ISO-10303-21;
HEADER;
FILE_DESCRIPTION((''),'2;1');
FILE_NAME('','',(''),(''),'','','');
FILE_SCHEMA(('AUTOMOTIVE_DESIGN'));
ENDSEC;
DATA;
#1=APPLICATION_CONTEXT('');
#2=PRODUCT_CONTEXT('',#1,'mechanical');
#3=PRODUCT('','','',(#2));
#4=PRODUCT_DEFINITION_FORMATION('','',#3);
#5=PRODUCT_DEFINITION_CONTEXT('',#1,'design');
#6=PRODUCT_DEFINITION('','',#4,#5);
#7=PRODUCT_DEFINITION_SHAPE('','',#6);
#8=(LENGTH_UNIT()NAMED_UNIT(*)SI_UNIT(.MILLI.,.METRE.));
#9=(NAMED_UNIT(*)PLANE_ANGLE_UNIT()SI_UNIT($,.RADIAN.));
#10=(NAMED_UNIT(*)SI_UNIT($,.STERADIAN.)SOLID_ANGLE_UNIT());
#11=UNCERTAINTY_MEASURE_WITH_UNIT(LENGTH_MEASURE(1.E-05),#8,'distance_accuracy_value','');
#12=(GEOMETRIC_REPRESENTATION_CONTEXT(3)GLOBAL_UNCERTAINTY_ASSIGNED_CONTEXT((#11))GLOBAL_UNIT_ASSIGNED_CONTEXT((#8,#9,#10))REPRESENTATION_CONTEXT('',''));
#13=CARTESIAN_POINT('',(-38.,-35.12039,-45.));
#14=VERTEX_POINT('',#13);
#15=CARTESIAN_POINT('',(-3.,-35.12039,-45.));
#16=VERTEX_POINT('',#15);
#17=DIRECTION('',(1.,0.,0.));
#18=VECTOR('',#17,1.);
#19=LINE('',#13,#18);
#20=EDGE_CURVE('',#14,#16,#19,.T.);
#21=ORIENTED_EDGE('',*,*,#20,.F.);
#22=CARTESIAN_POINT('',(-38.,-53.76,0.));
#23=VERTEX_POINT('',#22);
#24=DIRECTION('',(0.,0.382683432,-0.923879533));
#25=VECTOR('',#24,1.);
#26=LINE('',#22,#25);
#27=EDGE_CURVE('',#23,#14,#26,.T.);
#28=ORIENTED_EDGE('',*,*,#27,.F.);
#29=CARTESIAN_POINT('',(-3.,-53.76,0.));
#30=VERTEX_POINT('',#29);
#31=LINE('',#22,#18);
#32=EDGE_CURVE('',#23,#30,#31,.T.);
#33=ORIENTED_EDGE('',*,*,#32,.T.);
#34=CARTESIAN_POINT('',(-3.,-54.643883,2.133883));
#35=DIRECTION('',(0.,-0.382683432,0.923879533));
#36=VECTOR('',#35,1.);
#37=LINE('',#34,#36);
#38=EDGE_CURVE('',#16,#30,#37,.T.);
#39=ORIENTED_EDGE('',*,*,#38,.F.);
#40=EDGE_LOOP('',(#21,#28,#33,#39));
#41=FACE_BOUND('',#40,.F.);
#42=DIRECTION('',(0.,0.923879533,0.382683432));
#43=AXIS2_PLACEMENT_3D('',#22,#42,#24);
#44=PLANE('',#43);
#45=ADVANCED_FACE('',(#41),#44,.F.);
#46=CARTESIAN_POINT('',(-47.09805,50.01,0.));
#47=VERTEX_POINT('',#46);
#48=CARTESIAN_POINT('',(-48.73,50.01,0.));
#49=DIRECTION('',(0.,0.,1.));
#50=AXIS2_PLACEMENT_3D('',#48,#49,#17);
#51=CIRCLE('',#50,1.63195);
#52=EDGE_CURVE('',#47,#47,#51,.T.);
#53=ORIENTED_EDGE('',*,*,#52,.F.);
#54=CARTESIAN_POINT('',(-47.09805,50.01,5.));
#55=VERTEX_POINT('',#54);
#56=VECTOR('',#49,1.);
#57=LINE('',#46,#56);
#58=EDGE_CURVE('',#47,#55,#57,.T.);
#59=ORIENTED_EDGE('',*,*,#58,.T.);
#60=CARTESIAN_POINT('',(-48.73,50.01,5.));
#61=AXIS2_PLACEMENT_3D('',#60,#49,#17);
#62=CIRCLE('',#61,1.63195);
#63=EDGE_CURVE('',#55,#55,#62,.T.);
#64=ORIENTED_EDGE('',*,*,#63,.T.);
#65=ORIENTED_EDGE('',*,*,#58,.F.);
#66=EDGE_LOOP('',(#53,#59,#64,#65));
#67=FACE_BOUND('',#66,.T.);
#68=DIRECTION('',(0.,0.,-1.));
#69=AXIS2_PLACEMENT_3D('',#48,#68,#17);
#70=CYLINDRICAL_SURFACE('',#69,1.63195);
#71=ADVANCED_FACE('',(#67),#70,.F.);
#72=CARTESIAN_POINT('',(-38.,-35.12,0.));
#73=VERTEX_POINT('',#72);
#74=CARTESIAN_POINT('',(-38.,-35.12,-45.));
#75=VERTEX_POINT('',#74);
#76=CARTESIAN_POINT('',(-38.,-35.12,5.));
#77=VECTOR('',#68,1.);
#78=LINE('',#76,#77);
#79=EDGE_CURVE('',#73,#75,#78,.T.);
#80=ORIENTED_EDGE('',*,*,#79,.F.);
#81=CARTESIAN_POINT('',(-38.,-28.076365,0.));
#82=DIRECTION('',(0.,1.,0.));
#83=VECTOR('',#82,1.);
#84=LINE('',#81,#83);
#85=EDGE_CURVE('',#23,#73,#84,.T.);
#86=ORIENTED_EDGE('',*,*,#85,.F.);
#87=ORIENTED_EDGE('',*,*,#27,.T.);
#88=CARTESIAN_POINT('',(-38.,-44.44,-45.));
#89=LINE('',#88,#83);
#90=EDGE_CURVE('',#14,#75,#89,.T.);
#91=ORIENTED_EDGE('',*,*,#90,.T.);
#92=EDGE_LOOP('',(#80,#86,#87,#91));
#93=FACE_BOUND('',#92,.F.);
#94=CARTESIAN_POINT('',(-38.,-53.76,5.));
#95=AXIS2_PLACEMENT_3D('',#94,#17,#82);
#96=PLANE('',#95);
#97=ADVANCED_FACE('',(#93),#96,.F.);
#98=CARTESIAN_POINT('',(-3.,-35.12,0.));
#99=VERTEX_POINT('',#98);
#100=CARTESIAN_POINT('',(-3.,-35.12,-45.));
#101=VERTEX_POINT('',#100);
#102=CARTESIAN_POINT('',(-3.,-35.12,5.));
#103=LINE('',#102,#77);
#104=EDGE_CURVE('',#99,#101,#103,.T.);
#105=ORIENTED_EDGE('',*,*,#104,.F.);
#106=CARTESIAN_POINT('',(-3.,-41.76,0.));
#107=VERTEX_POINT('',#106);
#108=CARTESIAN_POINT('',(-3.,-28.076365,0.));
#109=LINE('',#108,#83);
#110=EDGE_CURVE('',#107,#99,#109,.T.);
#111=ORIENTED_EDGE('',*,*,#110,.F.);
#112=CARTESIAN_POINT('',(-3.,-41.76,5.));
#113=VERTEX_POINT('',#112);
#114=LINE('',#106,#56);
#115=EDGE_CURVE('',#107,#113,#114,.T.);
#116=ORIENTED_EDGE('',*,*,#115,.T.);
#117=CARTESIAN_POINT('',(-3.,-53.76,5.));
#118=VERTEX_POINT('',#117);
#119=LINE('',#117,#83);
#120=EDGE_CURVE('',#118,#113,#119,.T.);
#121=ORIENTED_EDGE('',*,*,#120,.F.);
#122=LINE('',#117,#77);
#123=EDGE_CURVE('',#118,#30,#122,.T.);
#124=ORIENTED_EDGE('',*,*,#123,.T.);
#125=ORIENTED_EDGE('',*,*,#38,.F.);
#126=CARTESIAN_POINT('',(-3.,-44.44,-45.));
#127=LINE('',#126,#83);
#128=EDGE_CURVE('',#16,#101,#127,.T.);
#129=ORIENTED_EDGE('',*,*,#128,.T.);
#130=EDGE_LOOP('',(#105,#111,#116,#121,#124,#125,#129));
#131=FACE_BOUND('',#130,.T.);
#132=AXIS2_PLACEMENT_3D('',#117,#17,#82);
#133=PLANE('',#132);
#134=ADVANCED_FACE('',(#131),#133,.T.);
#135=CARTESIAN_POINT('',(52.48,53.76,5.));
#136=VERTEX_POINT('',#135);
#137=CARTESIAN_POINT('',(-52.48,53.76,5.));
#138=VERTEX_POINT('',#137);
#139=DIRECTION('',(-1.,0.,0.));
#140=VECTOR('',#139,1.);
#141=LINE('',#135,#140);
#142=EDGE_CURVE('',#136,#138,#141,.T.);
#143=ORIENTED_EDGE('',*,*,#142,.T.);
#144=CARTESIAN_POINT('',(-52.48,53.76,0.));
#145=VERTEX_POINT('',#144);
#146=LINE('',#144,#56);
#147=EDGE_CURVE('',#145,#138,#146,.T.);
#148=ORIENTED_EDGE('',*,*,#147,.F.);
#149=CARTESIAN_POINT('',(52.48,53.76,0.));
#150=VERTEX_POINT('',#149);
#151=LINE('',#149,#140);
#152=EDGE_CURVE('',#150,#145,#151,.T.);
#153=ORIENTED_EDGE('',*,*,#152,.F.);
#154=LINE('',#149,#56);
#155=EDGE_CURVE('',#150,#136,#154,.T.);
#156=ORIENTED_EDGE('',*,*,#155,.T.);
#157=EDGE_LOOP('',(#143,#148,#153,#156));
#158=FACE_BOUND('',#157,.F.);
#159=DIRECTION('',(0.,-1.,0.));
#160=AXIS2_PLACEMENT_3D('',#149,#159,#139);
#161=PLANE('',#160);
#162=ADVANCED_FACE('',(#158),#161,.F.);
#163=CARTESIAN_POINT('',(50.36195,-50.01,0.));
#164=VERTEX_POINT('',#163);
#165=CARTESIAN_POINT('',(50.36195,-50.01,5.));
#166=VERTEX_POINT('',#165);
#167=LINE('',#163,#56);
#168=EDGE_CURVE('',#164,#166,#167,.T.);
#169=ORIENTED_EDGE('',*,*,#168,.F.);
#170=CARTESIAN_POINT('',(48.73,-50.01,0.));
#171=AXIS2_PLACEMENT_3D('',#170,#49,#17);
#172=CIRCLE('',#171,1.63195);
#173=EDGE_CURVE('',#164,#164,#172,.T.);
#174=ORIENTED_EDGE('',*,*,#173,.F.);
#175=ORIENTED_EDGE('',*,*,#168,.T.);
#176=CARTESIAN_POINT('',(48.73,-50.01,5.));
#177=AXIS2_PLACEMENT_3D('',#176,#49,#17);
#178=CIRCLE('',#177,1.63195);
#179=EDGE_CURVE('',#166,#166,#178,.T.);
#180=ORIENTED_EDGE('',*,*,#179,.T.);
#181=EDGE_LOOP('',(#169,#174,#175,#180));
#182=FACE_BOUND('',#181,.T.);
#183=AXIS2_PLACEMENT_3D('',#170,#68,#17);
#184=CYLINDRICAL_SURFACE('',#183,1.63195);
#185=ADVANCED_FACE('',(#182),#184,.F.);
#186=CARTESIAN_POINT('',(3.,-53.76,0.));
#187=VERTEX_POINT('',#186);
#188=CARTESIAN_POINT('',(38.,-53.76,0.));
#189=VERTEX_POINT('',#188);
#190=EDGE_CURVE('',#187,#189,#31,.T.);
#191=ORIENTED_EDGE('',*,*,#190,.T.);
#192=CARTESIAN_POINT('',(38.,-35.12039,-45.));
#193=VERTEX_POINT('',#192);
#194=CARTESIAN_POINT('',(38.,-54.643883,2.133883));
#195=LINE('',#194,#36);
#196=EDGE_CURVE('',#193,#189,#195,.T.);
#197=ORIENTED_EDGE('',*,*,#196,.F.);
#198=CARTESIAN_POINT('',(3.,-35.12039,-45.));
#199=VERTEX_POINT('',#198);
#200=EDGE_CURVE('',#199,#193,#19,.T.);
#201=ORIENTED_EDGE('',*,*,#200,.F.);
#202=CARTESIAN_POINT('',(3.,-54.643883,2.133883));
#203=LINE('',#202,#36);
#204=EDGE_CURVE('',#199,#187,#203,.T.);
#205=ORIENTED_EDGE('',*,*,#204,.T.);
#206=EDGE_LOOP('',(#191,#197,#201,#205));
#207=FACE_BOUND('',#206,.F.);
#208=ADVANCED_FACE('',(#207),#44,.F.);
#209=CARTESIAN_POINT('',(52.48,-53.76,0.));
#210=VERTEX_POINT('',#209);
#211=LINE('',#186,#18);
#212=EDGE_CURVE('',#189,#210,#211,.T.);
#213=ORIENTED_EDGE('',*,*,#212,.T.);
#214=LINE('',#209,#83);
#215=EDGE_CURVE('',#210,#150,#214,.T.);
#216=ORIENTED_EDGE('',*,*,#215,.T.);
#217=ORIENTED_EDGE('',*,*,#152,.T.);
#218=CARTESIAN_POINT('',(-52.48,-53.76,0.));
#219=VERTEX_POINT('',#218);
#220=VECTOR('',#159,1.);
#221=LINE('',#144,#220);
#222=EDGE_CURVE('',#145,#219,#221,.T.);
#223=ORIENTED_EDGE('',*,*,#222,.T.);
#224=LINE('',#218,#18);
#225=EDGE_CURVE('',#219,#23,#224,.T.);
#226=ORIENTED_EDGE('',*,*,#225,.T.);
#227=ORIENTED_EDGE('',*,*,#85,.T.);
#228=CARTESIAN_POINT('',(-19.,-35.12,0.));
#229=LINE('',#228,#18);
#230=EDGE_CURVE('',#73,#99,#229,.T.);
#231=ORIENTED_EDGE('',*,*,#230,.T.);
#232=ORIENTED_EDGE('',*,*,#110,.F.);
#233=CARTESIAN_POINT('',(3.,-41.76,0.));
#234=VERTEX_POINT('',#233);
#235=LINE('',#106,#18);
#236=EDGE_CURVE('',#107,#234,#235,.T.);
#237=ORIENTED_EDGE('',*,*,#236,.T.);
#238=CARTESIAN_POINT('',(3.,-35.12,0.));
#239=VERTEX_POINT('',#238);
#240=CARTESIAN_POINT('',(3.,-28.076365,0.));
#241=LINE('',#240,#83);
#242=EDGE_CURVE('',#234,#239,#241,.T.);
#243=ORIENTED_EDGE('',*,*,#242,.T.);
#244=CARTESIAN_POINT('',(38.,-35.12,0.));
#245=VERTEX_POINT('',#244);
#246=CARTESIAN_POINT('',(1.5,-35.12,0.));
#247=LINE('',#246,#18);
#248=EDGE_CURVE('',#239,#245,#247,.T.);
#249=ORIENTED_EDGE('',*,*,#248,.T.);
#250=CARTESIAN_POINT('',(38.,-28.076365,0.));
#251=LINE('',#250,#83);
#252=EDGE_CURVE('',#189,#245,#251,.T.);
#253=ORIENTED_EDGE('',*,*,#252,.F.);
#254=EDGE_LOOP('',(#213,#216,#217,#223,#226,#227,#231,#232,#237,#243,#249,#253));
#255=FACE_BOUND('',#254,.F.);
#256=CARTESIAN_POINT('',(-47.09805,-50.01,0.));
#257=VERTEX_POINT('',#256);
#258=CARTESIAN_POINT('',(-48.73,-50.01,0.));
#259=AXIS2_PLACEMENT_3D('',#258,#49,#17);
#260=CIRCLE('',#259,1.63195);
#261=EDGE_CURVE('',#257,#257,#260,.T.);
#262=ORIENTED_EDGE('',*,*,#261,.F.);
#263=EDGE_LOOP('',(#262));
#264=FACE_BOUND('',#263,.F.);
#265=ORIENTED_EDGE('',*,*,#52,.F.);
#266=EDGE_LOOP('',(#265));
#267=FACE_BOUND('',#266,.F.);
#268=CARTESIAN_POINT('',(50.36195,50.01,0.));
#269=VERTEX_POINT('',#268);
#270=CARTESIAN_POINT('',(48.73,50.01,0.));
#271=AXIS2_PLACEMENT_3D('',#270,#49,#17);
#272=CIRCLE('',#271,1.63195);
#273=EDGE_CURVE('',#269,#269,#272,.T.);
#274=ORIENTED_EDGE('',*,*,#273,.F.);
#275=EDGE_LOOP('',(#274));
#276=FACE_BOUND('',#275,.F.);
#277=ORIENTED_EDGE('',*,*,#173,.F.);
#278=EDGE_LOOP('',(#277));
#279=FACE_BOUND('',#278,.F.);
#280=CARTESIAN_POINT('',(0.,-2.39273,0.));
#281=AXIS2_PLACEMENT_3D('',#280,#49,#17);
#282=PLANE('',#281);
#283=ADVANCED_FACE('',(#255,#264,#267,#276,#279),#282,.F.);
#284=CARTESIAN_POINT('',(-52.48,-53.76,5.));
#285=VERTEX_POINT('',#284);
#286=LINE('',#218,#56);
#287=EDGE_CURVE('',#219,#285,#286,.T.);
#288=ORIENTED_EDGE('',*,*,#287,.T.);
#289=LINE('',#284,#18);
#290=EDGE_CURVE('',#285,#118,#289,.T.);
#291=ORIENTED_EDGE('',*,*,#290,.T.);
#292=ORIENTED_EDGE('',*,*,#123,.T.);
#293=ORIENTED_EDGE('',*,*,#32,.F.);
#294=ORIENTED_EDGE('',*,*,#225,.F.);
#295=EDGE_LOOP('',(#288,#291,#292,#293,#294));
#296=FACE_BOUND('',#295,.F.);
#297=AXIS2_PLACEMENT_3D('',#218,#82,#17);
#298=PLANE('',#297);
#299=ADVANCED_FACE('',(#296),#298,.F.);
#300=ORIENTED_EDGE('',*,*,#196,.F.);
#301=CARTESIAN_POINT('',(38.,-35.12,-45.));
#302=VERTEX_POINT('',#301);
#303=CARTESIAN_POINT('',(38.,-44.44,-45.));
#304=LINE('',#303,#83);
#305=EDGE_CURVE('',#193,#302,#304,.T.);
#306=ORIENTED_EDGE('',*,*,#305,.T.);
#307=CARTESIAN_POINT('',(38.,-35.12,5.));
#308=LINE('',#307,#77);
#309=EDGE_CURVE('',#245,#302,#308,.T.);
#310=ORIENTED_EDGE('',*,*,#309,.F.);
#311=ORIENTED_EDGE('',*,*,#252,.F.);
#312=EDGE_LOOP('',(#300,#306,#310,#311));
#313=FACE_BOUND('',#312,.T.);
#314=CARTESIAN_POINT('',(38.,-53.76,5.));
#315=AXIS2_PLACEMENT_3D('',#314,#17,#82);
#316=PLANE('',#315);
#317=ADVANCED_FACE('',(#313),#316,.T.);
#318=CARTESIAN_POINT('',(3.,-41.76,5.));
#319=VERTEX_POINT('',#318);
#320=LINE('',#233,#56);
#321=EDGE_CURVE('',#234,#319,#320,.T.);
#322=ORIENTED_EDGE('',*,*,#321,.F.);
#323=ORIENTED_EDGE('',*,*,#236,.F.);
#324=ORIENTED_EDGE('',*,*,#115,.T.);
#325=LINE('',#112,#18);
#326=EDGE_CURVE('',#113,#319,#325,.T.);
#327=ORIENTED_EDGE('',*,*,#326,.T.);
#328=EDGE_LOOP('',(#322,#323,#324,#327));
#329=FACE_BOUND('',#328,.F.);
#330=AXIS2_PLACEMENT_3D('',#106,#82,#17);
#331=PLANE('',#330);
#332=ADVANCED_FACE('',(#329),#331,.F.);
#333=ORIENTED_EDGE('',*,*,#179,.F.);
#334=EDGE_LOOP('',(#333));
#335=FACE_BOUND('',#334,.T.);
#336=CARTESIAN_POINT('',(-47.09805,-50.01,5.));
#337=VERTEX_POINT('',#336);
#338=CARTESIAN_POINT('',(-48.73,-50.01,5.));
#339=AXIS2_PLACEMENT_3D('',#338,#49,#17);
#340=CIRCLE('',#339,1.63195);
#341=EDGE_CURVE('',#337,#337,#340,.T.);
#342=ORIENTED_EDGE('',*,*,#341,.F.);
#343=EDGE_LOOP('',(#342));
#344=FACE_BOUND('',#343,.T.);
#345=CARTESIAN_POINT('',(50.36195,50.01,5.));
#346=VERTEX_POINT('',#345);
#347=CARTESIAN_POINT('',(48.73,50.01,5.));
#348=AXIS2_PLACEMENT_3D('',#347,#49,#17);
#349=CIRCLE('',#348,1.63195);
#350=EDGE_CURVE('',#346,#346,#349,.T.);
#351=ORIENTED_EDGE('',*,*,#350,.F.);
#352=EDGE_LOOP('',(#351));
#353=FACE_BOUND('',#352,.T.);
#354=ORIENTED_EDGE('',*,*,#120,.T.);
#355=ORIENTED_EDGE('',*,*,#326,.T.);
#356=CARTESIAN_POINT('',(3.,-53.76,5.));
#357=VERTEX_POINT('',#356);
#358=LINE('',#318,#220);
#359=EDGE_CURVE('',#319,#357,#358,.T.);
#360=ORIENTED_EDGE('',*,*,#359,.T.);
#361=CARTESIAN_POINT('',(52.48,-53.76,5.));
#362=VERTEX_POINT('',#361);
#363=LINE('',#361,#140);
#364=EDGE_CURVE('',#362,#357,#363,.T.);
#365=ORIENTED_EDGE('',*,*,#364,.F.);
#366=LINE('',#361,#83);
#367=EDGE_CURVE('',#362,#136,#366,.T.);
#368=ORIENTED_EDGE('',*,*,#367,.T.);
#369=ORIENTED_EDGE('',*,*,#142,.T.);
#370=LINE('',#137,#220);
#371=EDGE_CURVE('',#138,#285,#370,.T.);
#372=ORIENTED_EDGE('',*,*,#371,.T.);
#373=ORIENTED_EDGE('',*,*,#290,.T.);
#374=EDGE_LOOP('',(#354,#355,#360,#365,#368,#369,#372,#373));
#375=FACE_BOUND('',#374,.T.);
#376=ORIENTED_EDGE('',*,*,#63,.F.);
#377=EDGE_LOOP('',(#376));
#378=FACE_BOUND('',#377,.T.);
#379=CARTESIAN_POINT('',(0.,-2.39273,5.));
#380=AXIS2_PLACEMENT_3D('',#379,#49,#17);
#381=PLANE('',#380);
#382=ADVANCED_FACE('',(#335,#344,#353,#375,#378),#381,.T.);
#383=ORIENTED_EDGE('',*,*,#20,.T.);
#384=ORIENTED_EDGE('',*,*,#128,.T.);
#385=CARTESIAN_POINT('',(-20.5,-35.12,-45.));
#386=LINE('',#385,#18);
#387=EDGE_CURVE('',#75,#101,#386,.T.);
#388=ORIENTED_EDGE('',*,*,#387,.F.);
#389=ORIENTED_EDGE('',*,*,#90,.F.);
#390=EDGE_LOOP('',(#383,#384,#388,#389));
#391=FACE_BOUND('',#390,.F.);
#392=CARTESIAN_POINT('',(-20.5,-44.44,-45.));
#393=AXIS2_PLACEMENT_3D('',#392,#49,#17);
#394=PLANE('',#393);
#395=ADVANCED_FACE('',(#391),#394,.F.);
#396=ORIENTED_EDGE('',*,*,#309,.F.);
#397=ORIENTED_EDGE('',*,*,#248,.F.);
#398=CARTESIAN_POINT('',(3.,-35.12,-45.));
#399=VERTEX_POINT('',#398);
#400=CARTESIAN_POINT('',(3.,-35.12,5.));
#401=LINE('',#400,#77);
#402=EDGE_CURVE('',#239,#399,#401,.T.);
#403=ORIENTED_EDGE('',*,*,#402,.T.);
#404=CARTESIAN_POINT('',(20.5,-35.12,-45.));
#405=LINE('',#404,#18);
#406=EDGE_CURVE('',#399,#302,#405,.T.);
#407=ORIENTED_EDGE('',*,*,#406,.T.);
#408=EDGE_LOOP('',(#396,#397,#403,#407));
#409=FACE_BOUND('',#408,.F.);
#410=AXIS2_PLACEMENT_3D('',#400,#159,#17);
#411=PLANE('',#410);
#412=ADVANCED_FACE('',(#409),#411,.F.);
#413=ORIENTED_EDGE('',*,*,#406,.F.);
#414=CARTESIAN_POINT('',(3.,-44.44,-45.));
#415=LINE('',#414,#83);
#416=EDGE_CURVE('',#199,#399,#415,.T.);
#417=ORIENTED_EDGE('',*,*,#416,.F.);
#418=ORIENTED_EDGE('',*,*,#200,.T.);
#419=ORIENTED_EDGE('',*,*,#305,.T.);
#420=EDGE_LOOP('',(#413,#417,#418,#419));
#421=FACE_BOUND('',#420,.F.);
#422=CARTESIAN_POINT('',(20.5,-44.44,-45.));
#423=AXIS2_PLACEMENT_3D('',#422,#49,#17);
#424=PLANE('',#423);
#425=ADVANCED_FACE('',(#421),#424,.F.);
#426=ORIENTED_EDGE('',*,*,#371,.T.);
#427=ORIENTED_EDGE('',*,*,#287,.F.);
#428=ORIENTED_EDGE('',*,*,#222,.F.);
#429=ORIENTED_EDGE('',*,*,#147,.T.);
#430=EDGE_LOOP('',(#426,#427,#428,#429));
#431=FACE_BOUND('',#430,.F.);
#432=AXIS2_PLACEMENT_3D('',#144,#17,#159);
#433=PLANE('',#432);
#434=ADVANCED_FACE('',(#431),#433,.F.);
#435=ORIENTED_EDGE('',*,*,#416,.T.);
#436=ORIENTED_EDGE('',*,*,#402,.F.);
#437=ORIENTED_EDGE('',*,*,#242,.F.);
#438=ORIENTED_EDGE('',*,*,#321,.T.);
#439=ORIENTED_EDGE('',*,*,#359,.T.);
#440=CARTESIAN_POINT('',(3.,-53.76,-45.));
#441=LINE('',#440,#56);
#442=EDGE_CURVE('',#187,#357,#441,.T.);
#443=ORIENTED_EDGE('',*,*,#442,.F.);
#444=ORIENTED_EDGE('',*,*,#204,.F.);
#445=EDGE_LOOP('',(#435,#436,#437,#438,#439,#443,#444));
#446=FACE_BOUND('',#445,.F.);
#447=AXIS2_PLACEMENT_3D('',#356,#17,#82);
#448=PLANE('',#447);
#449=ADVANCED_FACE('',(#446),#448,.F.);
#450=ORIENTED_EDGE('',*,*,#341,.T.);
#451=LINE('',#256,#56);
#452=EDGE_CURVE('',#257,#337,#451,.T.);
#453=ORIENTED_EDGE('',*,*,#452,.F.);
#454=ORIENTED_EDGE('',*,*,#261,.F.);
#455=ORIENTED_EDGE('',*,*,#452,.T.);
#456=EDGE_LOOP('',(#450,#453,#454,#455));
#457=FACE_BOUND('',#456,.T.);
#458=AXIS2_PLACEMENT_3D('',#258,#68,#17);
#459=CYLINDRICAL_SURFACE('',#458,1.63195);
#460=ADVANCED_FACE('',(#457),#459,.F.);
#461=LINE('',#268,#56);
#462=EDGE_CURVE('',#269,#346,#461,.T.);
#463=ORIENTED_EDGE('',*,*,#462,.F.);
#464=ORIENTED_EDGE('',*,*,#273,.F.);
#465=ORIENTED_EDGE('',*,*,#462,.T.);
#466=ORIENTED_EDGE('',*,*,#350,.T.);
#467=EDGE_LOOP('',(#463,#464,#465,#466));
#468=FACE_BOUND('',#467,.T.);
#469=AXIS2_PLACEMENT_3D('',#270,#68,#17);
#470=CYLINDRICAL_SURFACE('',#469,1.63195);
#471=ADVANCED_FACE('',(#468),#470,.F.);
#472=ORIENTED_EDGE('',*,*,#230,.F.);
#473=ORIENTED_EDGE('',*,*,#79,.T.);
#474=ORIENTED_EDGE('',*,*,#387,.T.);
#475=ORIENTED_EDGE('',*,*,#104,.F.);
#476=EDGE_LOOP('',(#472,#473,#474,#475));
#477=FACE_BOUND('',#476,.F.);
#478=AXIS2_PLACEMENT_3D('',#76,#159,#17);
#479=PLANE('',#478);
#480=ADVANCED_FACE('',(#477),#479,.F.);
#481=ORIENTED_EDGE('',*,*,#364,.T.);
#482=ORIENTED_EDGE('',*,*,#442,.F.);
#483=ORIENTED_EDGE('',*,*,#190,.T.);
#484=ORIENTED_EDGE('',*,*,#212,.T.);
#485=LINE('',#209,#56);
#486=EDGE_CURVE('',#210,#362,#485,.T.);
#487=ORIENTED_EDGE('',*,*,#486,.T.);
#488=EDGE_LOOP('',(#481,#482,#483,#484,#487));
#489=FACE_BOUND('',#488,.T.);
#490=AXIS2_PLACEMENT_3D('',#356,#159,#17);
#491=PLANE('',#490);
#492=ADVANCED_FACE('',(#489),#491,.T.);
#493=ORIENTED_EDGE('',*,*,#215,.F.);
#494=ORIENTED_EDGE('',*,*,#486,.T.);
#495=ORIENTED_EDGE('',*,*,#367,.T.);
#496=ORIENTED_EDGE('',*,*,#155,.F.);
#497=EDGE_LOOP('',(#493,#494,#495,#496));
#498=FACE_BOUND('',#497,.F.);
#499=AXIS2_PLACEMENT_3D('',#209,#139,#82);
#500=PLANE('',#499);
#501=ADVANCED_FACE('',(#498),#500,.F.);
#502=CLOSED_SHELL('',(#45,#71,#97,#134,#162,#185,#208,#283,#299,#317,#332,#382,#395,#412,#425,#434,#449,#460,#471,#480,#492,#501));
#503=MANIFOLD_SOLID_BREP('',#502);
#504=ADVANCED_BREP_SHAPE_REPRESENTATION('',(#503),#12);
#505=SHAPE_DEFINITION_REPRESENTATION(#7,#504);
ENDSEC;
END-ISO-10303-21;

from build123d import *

# Parameters (mm, degrees)
F0_R     = 1.63195
F1_DEPTH = 5
F2_W     = 35
F2_H     = 18.64
F3_DEPTH = 50
F5_DEPTH = 90.481


with BuildPart() as f1:
    # F0 (on Top) → F1 (new body)
    with BuildSketch(Plane.XY):
        Polygon((-52.48, 53.76), (-52.48, -53.76), (-3, -53.76), (-3, -41.76), (3, -41.76), (3, -53.76), (52.48, -53.76), (52.48, 53.76), align=None)
        with Locations((-48.73, -50.01)):
            Circle(F0_R, mode=Mode.SUBTRACT)
        with Locations((48.73, -50.01)):
            Circle(F0_R, mode=Mode.SUBTRACT)
        with Locations((-48.73, 50.01)):
            Circle(F0_R, mode=Mode.SUBTRACT)
        with Locations((48.73, 50.01)):
            Circle(F0_R, mode=Mode.SUBTRACT)
    extrude(amount=F1_DEPTH)

    # F2 (on face) → F3 (join)
    with BuildSketch(Plane.XY.offset(5)):
        with Locations((20.5, -44.44)):
            Rectangle(F2_W, F2_H)
        with Locations((-20.5, -44.44)):
            Rectangle(F2_W, F2_H)
    extrude(amount=-F3_DEPTH)

    # F4 (on face) → F5 (cut, through all)
    with BuildSketch(Plane(origin=(-38, 0, 0), x_dir=(0, -1, 0), z_dir=(-1, 0, 0))):
        Polygon((53.76, -45), (53.76, 0), (35.1203896932, -45), align=None)
    extrude(amount=-F5_DEPTH, mode=Mode.SUBTRACT)


solid = f1.part
